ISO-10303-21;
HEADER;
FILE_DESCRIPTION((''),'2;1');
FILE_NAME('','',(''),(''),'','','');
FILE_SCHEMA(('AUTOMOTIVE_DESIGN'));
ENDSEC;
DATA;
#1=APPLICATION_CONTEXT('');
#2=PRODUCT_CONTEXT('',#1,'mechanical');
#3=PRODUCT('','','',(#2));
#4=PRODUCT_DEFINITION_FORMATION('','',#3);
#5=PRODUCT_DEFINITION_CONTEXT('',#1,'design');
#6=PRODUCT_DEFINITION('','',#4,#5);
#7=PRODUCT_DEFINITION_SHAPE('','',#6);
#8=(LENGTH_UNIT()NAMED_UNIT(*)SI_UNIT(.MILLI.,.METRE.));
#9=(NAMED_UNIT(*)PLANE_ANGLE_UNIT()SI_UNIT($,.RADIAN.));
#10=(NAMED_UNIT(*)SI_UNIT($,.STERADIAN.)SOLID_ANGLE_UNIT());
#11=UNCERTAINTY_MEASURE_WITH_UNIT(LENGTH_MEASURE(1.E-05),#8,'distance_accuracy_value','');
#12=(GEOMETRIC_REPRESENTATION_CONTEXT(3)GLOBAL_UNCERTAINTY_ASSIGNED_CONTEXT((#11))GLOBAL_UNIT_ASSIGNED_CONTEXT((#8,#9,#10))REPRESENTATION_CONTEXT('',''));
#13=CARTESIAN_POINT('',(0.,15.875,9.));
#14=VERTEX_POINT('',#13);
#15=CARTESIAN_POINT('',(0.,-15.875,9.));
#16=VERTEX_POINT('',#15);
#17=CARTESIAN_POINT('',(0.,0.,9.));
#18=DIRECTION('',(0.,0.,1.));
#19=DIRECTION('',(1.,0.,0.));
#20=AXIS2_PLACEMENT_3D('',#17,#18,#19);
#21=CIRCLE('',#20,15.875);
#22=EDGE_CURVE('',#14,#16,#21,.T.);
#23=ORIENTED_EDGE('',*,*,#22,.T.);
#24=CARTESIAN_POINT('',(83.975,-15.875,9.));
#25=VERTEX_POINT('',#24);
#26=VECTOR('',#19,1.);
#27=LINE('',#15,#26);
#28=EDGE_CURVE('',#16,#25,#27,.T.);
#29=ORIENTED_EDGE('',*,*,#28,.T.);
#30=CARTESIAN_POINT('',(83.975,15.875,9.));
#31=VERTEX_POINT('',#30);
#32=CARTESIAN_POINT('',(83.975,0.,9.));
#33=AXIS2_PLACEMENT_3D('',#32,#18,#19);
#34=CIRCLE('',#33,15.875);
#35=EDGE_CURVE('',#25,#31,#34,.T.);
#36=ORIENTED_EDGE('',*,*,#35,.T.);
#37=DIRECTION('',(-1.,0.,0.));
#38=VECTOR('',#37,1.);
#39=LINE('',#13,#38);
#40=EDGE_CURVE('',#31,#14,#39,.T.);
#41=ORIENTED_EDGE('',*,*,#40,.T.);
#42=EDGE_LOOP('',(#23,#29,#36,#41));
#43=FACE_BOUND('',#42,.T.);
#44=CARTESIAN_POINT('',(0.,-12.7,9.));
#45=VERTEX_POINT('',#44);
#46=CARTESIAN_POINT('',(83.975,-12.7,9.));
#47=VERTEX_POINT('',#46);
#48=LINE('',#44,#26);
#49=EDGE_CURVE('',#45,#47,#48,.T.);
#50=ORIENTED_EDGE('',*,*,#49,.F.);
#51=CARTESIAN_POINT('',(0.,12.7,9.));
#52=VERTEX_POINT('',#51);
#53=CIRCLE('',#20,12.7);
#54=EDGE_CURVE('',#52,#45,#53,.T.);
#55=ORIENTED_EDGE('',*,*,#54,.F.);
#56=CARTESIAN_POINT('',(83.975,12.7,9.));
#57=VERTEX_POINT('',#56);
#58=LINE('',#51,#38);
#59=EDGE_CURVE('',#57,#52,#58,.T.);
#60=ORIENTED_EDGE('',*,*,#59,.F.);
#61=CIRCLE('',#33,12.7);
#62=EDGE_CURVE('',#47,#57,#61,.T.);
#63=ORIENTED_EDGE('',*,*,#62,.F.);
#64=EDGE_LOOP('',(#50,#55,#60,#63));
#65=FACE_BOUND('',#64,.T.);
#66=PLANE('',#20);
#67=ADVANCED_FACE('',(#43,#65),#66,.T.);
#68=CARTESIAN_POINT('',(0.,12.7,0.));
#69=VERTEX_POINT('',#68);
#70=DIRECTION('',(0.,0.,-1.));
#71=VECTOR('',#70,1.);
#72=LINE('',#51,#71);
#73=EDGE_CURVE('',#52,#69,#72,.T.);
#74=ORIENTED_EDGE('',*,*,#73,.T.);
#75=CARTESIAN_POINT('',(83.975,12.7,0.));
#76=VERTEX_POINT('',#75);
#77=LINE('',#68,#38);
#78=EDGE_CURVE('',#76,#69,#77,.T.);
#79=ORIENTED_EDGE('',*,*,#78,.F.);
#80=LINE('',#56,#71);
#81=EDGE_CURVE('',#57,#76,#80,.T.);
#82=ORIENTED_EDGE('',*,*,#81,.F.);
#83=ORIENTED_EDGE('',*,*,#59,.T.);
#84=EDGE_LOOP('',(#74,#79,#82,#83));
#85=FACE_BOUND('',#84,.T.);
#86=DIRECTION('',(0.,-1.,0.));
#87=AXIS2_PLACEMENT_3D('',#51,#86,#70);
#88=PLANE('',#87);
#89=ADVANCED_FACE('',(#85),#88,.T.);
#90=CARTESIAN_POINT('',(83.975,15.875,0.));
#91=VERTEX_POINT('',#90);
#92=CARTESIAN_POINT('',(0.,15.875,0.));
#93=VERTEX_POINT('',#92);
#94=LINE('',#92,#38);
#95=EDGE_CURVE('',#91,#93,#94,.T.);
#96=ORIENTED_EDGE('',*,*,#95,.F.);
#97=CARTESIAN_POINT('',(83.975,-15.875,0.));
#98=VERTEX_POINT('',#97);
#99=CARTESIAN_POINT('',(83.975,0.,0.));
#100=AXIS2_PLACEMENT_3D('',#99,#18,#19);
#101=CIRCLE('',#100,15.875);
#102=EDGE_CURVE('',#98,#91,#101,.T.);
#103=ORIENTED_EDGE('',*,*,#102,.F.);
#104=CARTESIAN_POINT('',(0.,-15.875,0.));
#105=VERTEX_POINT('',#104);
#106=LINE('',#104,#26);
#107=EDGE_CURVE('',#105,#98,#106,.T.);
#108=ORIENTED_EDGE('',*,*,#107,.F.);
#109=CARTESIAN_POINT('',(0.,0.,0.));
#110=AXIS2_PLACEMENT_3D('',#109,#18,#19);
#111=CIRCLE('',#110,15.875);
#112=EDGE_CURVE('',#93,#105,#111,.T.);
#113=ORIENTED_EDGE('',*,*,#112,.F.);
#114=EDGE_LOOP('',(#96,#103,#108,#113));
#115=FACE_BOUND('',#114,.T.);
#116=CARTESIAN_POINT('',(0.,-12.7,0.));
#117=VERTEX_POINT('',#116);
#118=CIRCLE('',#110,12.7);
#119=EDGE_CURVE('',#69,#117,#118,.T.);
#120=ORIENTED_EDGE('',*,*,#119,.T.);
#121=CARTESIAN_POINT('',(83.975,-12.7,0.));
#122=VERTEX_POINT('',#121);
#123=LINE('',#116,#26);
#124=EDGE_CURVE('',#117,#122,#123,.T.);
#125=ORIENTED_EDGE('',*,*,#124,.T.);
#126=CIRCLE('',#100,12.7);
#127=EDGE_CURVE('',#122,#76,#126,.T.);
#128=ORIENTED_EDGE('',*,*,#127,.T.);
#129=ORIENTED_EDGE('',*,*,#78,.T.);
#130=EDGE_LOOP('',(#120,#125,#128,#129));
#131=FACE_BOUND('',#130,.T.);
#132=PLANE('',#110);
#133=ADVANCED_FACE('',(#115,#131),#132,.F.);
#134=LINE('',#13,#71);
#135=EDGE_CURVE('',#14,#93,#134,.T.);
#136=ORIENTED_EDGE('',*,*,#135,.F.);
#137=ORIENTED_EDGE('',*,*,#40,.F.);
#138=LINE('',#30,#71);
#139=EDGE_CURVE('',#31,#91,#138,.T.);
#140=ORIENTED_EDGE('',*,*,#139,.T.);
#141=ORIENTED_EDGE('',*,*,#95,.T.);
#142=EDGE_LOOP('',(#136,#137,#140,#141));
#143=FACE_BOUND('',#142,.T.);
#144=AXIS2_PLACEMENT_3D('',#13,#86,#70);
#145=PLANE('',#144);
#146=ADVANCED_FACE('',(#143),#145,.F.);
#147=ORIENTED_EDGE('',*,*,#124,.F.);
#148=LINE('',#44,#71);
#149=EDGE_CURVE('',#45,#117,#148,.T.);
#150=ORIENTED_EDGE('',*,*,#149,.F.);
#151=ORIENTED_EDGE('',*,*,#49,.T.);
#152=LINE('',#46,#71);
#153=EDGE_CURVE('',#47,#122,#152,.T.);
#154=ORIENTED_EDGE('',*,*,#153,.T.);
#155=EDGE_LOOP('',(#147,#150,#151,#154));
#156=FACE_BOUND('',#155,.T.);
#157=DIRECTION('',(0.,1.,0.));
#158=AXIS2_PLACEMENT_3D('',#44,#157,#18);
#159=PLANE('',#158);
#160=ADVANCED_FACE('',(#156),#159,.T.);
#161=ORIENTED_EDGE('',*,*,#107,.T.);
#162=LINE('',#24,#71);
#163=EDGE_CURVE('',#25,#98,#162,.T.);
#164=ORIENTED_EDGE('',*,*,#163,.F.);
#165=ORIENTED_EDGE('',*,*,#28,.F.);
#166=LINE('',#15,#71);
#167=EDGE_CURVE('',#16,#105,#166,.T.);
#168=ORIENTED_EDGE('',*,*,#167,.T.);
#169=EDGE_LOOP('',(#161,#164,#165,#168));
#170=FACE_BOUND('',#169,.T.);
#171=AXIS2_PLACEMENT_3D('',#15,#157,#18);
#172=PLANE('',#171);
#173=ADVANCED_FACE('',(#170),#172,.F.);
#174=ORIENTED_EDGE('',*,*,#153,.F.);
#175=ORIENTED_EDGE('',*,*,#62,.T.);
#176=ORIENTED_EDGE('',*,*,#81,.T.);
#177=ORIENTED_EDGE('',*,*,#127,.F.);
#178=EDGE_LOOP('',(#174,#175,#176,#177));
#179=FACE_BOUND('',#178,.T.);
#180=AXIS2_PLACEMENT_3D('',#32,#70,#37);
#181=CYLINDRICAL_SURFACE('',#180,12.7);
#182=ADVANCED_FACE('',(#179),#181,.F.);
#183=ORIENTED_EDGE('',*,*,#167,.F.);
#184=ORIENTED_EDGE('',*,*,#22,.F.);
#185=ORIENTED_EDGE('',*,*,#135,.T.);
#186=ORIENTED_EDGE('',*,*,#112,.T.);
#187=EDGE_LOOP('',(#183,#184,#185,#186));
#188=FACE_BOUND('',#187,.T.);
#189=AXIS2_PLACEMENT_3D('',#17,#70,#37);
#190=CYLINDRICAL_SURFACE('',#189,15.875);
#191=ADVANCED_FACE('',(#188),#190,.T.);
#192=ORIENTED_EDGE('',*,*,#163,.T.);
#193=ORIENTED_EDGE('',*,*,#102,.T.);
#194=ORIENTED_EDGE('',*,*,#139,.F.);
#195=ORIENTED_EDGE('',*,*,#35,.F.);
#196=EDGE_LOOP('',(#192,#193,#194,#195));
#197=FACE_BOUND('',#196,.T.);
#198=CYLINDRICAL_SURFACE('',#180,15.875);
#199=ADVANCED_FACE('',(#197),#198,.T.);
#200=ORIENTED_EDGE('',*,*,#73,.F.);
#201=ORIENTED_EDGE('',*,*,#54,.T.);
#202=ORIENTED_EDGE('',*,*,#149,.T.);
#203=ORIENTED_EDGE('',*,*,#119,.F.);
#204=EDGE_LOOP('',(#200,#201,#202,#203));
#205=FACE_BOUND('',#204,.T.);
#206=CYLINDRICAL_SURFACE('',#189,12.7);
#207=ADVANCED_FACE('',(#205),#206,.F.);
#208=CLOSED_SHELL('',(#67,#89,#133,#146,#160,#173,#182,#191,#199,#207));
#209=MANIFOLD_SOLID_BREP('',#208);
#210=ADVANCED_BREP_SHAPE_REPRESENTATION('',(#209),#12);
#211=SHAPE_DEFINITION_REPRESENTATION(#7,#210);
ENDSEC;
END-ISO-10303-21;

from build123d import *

# Parameters (mm, degrees)
BOSS_EXTRUDE1_DEPTH = 9


with BuildPart() as part:
    # Sketch1 → Boss-Extrude1 (new body)
    with BuildSketch(Plane.XY):
        with BuildLine():
            Line((0, 15.875), (83.975, 15.875))
            ThreePointArc((83.975, 15.875), (99.85, 0), (83.975, -15.875))
            Line((83.975, -15.875), (0, -15.875))
            ThreePointArc((0, -15.875), (-15.875, 0), (0, 15.875))
        make_face()
        with BuildLine():
            Line((0, 12.7), (83.975, 12.7))
            ThreePointArc((83.975, 12.7), (96.675, 0), (83.975, -12.7))
            Line((83.975, -12.7), (0, -12.7))
            ThreePointArc((0, -12.7), (-12.7, 0), (0, 12.7))
        make_face(mode=Mode.SUBTRACT)
    extrude(amount=BOSS_EXTRUDE1_DEPTH)


solid = part.part
